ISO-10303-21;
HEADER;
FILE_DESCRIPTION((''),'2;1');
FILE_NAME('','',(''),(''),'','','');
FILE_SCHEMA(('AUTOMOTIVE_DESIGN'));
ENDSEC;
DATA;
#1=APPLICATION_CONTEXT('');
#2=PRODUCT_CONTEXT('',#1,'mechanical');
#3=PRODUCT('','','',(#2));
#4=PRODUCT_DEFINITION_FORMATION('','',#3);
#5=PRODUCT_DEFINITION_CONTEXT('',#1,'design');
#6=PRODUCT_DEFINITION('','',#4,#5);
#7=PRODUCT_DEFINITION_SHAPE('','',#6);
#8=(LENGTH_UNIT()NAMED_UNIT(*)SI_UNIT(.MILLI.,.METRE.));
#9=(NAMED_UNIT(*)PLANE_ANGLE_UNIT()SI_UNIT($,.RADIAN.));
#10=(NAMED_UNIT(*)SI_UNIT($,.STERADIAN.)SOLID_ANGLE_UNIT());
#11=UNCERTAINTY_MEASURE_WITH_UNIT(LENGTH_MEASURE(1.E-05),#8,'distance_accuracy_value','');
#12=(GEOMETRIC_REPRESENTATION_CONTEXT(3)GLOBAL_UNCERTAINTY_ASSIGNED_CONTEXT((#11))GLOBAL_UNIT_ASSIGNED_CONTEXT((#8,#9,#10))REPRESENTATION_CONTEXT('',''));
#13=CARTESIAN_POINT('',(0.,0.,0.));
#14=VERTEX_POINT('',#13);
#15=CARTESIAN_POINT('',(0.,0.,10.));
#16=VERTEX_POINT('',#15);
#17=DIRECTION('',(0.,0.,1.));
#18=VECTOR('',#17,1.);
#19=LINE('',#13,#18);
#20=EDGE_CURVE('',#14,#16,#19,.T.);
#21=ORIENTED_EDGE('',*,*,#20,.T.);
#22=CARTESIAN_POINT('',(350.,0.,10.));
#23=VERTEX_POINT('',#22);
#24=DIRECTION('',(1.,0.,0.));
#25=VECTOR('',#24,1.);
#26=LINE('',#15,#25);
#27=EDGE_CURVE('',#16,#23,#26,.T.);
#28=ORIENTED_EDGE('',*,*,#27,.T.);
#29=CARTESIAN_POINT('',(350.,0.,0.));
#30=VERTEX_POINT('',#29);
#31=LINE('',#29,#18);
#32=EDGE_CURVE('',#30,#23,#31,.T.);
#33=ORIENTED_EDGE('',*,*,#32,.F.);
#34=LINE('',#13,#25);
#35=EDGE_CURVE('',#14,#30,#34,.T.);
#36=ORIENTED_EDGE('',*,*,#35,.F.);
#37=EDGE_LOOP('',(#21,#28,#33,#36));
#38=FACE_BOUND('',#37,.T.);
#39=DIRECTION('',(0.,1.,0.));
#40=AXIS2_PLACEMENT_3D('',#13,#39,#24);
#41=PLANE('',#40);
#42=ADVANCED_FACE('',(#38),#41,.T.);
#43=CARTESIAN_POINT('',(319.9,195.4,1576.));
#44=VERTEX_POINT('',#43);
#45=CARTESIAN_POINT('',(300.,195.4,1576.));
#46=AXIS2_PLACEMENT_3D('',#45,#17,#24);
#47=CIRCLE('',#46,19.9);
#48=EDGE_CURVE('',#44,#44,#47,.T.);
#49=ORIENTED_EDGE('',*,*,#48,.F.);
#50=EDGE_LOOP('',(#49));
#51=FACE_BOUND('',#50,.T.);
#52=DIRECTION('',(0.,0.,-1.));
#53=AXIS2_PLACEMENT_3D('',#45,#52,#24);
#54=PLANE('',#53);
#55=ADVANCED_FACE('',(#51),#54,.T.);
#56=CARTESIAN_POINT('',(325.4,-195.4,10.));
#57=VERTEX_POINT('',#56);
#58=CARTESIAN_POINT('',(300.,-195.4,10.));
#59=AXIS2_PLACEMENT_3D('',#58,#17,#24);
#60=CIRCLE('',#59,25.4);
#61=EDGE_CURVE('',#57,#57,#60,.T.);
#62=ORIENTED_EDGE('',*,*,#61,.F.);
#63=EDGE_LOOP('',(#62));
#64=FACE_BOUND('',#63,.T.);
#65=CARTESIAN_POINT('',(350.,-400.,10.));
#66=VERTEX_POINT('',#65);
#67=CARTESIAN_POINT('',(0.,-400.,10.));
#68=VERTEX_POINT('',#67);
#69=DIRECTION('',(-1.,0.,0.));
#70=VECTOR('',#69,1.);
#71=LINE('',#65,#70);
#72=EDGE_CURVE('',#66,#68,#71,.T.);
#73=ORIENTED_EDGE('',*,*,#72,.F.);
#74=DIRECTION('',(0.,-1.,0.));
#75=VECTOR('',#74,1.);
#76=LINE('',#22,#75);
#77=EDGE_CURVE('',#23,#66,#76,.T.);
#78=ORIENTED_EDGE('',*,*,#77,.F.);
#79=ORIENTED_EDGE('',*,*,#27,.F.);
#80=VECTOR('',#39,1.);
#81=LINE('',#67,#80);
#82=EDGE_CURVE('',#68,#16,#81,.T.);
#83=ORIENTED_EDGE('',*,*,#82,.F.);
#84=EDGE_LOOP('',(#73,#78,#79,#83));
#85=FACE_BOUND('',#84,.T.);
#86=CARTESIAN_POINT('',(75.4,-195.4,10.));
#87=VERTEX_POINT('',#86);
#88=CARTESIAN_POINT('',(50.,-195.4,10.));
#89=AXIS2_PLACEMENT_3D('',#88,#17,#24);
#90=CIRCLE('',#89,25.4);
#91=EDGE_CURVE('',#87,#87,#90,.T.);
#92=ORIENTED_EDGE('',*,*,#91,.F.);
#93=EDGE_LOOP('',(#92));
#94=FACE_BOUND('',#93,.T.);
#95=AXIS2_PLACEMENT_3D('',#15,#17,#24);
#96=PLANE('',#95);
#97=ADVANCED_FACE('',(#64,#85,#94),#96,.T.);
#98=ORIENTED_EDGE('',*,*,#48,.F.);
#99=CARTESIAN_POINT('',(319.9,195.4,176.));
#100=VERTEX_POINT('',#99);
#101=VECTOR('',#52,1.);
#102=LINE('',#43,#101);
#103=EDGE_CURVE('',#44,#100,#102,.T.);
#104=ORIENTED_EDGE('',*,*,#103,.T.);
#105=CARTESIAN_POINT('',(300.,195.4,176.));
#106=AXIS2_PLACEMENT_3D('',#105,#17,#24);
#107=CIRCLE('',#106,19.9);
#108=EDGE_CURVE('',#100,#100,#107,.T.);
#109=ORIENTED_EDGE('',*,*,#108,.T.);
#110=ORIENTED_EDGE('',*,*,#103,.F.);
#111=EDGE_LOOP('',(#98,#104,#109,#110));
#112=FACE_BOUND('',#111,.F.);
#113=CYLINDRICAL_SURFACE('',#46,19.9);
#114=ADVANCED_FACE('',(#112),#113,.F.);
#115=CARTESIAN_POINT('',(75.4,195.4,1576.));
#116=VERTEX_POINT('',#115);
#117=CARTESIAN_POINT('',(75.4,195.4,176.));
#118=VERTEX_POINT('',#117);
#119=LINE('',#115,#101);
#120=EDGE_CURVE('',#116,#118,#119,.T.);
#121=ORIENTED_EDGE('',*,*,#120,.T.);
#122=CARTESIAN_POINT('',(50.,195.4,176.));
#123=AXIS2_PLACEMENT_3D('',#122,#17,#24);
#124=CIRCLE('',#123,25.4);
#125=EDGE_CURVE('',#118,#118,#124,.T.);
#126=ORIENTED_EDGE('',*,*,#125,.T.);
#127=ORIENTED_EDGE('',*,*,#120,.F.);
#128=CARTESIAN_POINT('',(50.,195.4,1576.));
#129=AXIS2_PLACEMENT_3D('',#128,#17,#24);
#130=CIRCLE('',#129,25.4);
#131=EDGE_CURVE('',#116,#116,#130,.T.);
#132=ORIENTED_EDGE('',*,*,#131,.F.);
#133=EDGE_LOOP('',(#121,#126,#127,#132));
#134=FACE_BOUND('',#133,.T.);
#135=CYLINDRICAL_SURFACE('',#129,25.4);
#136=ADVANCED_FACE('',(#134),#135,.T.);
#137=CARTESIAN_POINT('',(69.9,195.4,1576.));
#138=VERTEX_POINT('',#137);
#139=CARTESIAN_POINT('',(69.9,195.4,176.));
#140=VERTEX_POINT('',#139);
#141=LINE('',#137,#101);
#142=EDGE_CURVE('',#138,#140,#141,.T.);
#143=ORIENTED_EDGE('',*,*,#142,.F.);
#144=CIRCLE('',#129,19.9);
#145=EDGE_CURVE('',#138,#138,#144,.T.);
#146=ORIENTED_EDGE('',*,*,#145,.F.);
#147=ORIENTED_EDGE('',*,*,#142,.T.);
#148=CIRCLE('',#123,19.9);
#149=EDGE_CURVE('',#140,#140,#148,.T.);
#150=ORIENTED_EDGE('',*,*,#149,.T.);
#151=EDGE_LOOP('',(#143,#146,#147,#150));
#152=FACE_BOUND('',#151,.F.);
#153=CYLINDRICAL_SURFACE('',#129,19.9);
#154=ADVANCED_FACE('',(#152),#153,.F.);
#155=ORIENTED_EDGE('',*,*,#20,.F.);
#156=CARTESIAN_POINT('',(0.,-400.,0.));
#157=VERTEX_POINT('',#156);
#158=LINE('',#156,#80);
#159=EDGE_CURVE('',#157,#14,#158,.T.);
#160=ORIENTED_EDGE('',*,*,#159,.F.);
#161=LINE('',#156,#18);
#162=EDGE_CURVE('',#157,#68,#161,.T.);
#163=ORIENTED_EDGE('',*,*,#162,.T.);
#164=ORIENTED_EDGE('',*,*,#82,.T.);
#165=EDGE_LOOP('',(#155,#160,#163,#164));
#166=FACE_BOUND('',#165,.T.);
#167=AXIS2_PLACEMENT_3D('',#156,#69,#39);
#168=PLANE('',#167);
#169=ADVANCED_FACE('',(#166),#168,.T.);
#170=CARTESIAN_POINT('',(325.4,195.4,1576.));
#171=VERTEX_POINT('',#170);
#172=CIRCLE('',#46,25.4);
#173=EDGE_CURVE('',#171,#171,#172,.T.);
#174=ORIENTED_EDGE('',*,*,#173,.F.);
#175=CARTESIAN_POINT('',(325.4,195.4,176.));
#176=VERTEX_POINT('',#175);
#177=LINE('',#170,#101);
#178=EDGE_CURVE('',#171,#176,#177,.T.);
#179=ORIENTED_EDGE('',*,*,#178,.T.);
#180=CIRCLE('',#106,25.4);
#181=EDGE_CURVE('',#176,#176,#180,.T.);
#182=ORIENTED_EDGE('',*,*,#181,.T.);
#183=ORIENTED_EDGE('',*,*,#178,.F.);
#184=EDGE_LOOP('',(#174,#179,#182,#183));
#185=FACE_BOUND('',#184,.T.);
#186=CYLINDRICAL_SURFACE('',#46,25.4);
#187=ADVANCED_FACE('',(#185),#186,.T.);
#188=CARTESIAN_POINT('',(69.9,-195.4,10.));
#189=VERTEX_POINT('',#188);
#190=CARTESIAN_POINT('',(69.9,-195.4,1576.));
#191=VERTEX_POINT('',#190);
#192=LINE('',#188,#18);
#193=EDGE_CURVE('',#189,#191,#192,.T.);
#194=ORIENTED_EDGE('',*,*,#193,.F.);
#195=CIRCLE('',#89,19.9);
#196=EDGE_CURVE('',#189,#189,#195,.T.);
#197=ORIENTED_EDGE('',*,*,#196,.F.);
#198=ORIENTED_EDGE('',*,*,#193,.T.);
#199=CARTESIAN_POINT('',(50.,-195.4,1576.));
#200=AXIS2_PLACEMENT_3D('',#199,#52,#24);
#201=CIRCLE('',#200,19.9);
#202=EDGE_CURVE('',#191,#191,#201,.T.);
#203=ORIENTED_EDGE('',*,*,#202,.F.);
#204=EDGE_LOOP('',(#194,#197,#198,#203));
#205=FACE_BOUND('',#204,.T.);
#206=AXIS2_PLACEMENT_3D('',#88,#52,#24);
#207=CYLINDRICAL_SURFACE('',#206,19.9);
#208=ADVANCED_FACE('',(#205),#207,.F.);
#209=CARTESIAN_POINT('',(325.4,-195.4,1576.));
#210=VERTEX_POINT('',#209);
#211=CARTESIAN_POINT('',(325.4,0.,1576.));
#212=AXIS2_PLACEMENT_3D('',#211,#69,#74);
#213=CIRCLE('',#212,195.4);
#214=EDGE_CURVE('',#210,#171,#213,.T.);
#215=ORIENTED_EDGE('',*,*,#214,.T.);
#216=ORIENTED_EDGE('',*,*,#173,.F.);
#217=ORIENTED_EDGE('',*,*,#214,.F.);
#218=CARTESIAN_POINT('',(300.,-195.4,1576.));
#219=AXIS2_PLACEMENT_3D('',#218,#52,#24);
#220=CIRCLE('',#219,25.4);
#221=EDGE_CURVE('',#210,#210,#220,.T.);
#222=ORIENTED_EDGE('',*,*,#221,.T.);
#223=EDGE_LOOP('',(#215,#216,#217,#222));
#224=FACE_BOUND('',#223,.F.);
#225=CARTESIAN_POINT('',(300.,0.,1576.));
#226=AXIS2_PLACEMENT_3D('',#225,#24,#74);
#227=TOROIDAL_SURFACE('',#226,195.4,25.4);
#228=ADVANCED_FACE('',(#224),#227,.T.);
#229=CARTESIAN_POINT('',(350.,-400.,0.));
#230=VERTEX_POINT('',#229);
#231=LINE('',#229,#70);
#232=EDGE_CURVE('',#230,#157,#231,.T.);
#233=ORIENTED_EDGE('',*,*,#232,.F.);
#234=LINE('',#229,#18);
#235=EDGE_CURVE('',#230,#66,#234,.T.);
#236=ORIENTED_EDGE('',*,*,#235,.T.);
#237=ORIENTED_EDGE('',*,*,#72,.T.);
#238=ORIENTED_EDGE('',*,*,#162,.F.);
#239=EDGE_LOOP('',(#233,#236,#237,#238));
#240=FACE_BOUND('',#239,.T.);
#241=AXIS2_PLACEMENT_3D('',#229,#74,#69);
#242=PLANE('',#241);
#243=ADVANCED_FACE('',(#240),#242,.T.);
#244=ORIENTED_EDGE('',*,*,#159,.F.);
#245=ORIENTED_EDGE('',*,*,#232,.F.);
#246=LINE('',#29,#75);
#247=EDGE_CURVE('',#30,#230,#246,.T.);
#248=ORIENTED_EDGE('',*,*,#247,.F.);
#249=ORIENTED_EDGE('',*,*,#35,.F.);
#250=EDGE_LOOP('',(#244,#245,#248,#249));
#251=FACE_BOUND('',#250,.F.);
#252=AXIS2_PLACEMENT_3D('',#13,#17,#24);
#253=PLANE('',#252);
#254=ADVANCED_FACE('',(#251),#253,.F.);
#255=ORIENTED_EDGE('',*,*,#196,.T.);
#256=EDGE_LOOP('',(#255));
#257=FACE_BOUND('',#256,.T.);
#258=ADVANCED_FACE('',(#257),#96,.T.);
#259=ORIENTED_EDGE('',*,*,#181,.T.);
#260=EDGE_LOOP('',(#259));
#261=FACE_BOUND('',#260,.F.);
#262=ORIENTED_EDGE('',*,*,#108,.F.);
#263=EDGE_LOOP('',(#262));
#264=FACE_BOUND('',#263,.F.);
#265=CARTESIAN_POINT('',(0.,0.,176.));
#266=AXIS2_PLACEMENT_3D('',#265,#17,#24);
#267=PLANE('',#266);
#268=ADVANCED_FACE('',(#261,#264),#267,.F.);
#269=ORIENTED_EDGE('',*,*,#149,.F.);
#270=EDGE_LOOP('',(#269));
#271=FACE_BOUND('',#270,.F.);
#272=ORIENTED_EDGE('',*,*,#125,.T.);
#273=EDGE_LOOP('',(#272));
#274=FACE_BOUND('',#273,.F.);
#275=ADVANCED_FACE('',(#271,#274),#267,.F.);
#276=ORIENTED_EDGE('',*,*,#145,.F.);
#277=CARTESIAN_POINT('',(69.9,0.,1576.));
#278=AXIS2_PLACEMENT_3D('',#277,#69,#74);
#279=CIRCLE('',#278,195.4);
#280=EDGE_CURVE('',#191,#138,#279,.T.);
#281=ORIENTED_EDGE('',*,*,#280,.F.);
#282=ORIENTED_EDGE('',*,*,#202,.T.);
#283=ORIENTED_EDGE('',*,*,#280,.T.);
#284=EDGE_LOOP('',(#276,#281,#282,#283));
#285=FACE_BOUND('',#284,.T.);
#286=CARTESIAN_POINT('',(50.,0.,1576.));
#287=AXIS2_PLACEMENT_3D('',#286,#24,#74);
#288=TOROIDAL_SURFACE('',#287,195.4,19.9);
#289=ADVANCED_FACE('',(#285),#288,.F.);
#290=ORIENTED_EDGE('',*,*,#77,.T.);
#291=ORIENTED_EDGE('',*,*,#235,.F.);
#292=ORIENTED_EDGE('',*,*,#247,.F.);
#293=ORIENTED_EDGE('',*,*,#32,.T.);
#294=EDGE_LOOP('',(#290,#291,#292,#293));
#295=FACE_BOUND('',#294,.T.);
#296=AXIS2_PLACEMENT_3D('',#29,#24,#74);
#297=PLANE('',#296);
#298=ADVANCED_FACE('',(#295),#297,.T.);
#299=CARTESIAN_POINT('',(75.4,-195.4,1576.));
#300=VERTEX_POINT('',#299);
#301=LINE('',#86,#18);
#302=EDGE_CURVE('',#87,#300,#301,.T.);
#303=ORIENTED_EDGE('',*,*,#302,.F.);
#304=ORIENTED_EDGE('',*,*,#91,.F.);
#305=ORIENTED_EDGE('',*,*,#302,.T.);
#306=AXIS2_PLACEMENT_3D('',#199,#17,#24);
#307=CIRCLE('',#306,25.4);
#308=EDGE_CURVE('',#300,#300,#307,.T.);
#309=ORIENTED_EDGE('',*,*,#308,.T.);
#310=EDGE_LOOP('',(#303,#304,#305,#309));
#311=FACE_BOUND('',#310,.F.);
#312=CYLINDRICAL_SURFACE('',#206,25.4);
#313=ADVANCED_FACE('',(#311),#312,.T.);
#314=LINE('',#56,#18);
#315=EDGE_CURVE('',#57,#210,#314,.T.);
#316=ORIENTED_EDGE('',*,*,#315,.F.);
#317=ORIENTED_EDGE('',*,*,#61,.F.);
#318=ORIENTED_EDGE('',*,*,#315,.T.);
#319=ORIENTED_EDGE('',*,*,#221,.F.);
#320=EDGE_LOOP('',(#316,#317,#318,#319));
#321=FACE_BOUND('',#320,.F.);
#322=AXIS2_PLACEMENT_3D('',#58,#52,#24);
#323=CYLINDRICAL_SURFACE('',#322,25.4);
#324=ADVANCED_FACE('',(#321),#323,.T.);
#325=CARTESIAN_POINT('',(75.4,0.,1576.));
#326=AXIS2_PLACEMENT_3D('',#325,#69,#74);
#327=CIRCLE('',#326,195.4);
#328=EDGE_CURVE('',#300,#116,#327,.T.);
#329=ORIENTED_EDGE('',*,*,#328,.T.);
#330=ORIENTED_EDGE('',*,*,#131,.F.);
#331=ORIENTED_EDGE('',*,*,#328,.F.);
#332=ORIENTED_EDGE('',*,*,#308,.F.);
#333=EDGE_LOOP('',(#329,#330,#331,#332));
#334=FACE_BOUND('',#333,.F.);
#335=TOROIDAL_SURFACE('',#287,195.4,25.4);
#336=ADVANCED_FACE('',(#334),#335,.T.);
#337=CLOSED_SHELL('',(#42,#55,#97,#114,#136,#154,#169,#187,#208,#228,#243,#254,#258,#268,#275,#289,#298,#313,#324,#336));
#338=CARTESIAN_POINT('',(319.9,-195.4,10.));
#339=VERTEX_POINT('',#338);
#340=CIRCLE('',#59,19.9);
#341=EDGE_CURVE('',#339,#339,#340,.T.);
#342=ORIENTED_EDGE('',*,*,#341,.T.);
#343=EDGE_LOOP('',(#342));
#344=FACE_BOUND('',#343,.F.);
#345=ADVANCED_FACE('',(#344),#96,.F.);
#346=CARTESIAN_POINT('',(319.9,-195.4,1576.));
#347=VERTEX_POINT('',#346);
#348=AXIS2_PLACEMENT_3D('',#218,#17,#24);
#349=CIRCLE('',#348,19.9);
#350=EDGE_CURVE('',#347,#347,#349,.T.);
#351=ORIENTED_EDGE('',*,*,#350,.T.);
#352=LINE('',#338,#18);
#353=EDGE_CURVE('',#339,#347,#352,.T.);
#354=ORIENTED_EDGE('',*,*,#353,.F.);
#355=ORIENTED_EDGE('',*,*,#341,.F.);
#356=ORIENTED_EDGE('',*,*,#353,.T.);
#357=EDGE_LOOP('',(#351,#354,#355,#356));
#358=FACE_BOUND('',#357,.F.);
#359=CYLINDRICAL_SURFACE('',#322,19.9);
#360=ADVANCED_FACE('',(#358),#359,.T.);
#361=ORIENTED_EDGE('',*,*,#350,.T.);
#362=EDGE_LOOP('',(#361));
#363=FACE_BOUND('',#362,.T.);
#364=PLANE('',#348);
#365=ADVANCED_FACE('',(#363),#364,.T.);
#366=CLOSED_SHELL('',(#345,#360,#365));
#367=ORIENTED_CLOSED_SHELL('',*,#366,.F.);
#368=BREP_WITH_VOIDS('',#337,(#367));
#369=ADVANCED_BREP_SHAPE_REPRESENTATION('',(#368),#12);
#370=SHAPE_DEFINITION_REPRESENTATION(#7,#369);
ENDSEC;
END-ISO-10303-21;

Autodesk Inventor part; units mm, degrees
sketch "Sketch1" plane through (0, 0, 0) normal (0, 0, 1) x (1, 0, 0)
  line L0 (0, 0) -> (350, 0)
  line L1 (350, 0) -> (350, -400)
  line L2 (350, -400) -> (0, -400)
  line L3 (0, -400) -> (0, 0)
  dimension "d0" = 350
  dimension "d1" = 400
ref_plane "Work Plane1" through (0, 0, 50) normal (0, 0, 1) x (1, 0, 0)
extrude "Extrusion2" add sketch "Sketch1" along normal blind 10
sketch "Sketch3" plane through (0, 0, 10) normal (0, 0, 1) x (1, 0, 0)
  line L0 (350, 0) -> (0, 0) projected
  line L1 (0, 0) -> (0, -400) projected
  line L2 (350, -400) -> (350, 0) projected
  circle A0 centre (50, -195.4) radius 25.4
  circle A1 centre (50, -195.4) radius 19.9
  line L3 (175, 0) -> (175, -150)
  circle A2 centre (300, -195.4) radius 25.4
  circle A3 centre (300, -195.4) radius 19.9
  dimension "d11" = 50.8
  dimension "d12" = 5.5
  dimension "d13" = 150
  dimension "d15" = 50
  dimension "d16" = 195.4
extrude "Extrusion3" add sketch "Sketch3" along normal blind 1566
ref_plane "Work Plane2" through (0, 175.4, 0) normal (0, 1, 0) x (-1, 0, 0)
sketch "Sketch5" plane through (0, 0, 10) normal (0, 0, 1) x (1, 0, 0)
  circle A0 centre (50, -195.4) radius 25.4 projected
  circle A1 centre (300, -195.4) radius 25.4 projected
  line L0 (350, 0) -> (0, 0) projected
  line L1 (0, 0) -> (0, -400) projected
  line L2 (0, -400) -> (350, -400) projected
  line L3 (350, -400) -> (350, 0) projected
ref_plane "Work Plane3" through (0, 0, 1576) normal (0, 0, 1) x (1, 0, 0)
sketch "Sketch6" plane through (0, 0, 1576) normal (0, 0, 1) x (1, 0, 0)
  circle A0 centre (50, 195.4) radius 25.4
  circle A1 centre (50, 195.4) radius 19.9
  circle A2 centre (300, 195.4) radius 25.4
  circle A3 centre (300, 195.4) radius 19.9
  point P0 (0, 0)
  dimension "d25" = 50.8
  dimension "d26" = 5.5
extrude "Extrusion4" add sketch "Sketch6" against normal blind 1400
sketch "Sketch8" plane through (0, 0, 0) normal (1, 0, 0) x (0, 1, 0)
  line L0 (0, 0) -> (0, 1576)
  line L1 (0, 1576) -> (0, 1796.8)
  dimension "d35" = 1576
  dimension "d36" = 220.8
sketch "Sketch9" plane through (0, 0, 0) normal (0, 1, 0) x (-1, 0, 0)
  line L0 (0, 1576) -> (0, 1796.8)
  circle A0 centre (-300, 1796.8) radius 25.4
  circle A1 centre (-300, 1796.8) radius 19.9
  point P0 (0, 0)
  dimension "d38" = 220.8
  dimension "d45" = 5.5
sketch "Sketch10" plane through (300, 195.4, 1576) normal (0, 0, 1) x (1, 0, 0)
  circle A0 centre (0, 0) radius 19.9 projected
  circle A1 centre (0, 0) radius 25.4 projected
  circle A2 centre (0, 0) radius 25.4
  circle A3 centre (0, 0) radius 19.9
  point P0 (-300, -195.4)
  dimension "d47" = 50.8
  dimension "d48" = 5.5
sketch "Sketch11" plane through (300, -195.4, 1576) normal (0, 0, 1) x (1, 0, 0)
  circle A0 centre (0, 0) radius 19.9 projected
  circle A1 centre (0, 0) radius 25.4 projected
  circle A2 centre (0, 0) radius 25.4
  circle A3 centre (0, 0) radius 19.9
  point P0 (-300, 195.4)
  dimension "d49" = 50.8
  dimension "d50" = 5.5
sketch "Sketch12" plane through (50, 195.4, 1576) normal (0, 0, 1) x (1, 0, 0)
  circle A0 centre (0, 0) radius 19.9 projected
  circle A1 centre (0, 0) radius 25.4 projected
  circle A2 centre (0, 0) radius 25.4
  circle A3 centre (0, 0) radius 19.9
  point P0 (-50, -195.4)
  dimension "d51" = 50.8
  dimension "d52" = 5.5
sketch "Sketch14" plane through (0, 0, 0) normal (0, 1, 0) x (-1, 0, 0)
  line L0 (0, 0) -> (0, 1576)
  line L1 (0, 1576) -> (0, 1796.8)
  circle A0 centre (-50, 1796.8) radius 25.4
  circle A1 centre (-50, 1796.8) radius 19.9
  dimension "d55" = 1576
  dimension "d56" = 220.8
  dimension "d58" = 50.8
  dimension "d59" = 5.5
sketch "Sketch15" plane through (50, -195.4, 1576) normal (0, 0, 1) x (1, 0, 0)
  circle A0 centre (0, 0) radius 19.9 projected
  circle A1 centre (0, 0) radius 25.4 projected
  circle A2 centre (0, 0) radius 25.4
  circle A3 centre (0, 0) radius 19.9
  point P0 (-50, 195.4)
  dimension "d60" = 50.8
  dimension "d61" = 5.5
sketch "Sketch16" plane through (0, 0, 1576) normal (0, 0, 1) x (1, 0, 0)
  line L0 (0, 0) -> (50, 0)
  line L1 (50, 0) -> (50, 195.4)
  line L2 (50, 0) -> (50, -195.4)
  dimension "d62" = 50
  dimension "d63" = 195.4
  dimension "d64" = 195.4
ref_plane "Work Plane4" through (50, 0, 0) normal (1, 0, 0) x (0, 1, 0)
sketch "Sketch17" plane through (50, 0, 0) normal (1, 0, 0) x (0, 1, 0)
  line L0 (0, 0) -> (0, 1796.8)
  line L1 (0, 1796.8) -> (0, 1576)
  arc A0 (195.4, 1576) -> (-195.4, 1576) centre (0, 1576) ccw
  dimension "d66" = 1796.8
  dimension "d67" = 220.8
  dimension "d68" = 390.8
sketch "Sketch18" plane through (300, 195.4, 1576) normal (0, 0, 1) x (1, 0, 0)
  circle A0 centre (0, 0) radius 19.9 projected
  circle A1 centre (0, 0) radius 25.4 projected
  point P0 (-300, -195.4)
sketch "Sketch19" plane through (300, -195.4, 1576) normal (0, 0, 1) x (1, 0, 0)
  circle A0 centre (0, 0) radius 19.9 projected
  circle A1 centre (0, 0) radius 25.4 projected
  line L0 (0, 0) -> (0, 195.4)
  line L1 (0, 0) -> (195.4, 0) construction
  line L2 (0, 195.4) -> (50, 195.4)
  point P0 (-300, 195.4)
  dimension "d69" = 195.4
  dimension "d70" = 90
  dimension "d71" = 50
revolve "Revolution1" add sketch "Sketch19" angle 180 about axis through (300, 0, 1576) along (-1, 0, 0) contours A0 | A1
sketch "Sketch20" plane through (50, -195.4, 1576) normal (0, 0, 1) x (1, 0, 0)
  circle A0 centre (0, 0) radius 19.9 projected
  circle A1 centre (0, 0) radius 25.4 projected
  line L0 (0, 0) -> (0, 195.4)
  line L1 (0, 0) -> (195.4, 0) construction
  circle A2 centre (0, 0) radius 25.4
  line L2 (0, 195.4) -> (-50, 195.4)
  dimension "d73" = 195.4
  dimension "d74" = 90
revolve "Revolution2" add sketch "Sketch20" angle 180 about axis through (50, 0, 1576) along (-1, 0, 0)
properties part number "tangga naik" material "Steel, Mild"
